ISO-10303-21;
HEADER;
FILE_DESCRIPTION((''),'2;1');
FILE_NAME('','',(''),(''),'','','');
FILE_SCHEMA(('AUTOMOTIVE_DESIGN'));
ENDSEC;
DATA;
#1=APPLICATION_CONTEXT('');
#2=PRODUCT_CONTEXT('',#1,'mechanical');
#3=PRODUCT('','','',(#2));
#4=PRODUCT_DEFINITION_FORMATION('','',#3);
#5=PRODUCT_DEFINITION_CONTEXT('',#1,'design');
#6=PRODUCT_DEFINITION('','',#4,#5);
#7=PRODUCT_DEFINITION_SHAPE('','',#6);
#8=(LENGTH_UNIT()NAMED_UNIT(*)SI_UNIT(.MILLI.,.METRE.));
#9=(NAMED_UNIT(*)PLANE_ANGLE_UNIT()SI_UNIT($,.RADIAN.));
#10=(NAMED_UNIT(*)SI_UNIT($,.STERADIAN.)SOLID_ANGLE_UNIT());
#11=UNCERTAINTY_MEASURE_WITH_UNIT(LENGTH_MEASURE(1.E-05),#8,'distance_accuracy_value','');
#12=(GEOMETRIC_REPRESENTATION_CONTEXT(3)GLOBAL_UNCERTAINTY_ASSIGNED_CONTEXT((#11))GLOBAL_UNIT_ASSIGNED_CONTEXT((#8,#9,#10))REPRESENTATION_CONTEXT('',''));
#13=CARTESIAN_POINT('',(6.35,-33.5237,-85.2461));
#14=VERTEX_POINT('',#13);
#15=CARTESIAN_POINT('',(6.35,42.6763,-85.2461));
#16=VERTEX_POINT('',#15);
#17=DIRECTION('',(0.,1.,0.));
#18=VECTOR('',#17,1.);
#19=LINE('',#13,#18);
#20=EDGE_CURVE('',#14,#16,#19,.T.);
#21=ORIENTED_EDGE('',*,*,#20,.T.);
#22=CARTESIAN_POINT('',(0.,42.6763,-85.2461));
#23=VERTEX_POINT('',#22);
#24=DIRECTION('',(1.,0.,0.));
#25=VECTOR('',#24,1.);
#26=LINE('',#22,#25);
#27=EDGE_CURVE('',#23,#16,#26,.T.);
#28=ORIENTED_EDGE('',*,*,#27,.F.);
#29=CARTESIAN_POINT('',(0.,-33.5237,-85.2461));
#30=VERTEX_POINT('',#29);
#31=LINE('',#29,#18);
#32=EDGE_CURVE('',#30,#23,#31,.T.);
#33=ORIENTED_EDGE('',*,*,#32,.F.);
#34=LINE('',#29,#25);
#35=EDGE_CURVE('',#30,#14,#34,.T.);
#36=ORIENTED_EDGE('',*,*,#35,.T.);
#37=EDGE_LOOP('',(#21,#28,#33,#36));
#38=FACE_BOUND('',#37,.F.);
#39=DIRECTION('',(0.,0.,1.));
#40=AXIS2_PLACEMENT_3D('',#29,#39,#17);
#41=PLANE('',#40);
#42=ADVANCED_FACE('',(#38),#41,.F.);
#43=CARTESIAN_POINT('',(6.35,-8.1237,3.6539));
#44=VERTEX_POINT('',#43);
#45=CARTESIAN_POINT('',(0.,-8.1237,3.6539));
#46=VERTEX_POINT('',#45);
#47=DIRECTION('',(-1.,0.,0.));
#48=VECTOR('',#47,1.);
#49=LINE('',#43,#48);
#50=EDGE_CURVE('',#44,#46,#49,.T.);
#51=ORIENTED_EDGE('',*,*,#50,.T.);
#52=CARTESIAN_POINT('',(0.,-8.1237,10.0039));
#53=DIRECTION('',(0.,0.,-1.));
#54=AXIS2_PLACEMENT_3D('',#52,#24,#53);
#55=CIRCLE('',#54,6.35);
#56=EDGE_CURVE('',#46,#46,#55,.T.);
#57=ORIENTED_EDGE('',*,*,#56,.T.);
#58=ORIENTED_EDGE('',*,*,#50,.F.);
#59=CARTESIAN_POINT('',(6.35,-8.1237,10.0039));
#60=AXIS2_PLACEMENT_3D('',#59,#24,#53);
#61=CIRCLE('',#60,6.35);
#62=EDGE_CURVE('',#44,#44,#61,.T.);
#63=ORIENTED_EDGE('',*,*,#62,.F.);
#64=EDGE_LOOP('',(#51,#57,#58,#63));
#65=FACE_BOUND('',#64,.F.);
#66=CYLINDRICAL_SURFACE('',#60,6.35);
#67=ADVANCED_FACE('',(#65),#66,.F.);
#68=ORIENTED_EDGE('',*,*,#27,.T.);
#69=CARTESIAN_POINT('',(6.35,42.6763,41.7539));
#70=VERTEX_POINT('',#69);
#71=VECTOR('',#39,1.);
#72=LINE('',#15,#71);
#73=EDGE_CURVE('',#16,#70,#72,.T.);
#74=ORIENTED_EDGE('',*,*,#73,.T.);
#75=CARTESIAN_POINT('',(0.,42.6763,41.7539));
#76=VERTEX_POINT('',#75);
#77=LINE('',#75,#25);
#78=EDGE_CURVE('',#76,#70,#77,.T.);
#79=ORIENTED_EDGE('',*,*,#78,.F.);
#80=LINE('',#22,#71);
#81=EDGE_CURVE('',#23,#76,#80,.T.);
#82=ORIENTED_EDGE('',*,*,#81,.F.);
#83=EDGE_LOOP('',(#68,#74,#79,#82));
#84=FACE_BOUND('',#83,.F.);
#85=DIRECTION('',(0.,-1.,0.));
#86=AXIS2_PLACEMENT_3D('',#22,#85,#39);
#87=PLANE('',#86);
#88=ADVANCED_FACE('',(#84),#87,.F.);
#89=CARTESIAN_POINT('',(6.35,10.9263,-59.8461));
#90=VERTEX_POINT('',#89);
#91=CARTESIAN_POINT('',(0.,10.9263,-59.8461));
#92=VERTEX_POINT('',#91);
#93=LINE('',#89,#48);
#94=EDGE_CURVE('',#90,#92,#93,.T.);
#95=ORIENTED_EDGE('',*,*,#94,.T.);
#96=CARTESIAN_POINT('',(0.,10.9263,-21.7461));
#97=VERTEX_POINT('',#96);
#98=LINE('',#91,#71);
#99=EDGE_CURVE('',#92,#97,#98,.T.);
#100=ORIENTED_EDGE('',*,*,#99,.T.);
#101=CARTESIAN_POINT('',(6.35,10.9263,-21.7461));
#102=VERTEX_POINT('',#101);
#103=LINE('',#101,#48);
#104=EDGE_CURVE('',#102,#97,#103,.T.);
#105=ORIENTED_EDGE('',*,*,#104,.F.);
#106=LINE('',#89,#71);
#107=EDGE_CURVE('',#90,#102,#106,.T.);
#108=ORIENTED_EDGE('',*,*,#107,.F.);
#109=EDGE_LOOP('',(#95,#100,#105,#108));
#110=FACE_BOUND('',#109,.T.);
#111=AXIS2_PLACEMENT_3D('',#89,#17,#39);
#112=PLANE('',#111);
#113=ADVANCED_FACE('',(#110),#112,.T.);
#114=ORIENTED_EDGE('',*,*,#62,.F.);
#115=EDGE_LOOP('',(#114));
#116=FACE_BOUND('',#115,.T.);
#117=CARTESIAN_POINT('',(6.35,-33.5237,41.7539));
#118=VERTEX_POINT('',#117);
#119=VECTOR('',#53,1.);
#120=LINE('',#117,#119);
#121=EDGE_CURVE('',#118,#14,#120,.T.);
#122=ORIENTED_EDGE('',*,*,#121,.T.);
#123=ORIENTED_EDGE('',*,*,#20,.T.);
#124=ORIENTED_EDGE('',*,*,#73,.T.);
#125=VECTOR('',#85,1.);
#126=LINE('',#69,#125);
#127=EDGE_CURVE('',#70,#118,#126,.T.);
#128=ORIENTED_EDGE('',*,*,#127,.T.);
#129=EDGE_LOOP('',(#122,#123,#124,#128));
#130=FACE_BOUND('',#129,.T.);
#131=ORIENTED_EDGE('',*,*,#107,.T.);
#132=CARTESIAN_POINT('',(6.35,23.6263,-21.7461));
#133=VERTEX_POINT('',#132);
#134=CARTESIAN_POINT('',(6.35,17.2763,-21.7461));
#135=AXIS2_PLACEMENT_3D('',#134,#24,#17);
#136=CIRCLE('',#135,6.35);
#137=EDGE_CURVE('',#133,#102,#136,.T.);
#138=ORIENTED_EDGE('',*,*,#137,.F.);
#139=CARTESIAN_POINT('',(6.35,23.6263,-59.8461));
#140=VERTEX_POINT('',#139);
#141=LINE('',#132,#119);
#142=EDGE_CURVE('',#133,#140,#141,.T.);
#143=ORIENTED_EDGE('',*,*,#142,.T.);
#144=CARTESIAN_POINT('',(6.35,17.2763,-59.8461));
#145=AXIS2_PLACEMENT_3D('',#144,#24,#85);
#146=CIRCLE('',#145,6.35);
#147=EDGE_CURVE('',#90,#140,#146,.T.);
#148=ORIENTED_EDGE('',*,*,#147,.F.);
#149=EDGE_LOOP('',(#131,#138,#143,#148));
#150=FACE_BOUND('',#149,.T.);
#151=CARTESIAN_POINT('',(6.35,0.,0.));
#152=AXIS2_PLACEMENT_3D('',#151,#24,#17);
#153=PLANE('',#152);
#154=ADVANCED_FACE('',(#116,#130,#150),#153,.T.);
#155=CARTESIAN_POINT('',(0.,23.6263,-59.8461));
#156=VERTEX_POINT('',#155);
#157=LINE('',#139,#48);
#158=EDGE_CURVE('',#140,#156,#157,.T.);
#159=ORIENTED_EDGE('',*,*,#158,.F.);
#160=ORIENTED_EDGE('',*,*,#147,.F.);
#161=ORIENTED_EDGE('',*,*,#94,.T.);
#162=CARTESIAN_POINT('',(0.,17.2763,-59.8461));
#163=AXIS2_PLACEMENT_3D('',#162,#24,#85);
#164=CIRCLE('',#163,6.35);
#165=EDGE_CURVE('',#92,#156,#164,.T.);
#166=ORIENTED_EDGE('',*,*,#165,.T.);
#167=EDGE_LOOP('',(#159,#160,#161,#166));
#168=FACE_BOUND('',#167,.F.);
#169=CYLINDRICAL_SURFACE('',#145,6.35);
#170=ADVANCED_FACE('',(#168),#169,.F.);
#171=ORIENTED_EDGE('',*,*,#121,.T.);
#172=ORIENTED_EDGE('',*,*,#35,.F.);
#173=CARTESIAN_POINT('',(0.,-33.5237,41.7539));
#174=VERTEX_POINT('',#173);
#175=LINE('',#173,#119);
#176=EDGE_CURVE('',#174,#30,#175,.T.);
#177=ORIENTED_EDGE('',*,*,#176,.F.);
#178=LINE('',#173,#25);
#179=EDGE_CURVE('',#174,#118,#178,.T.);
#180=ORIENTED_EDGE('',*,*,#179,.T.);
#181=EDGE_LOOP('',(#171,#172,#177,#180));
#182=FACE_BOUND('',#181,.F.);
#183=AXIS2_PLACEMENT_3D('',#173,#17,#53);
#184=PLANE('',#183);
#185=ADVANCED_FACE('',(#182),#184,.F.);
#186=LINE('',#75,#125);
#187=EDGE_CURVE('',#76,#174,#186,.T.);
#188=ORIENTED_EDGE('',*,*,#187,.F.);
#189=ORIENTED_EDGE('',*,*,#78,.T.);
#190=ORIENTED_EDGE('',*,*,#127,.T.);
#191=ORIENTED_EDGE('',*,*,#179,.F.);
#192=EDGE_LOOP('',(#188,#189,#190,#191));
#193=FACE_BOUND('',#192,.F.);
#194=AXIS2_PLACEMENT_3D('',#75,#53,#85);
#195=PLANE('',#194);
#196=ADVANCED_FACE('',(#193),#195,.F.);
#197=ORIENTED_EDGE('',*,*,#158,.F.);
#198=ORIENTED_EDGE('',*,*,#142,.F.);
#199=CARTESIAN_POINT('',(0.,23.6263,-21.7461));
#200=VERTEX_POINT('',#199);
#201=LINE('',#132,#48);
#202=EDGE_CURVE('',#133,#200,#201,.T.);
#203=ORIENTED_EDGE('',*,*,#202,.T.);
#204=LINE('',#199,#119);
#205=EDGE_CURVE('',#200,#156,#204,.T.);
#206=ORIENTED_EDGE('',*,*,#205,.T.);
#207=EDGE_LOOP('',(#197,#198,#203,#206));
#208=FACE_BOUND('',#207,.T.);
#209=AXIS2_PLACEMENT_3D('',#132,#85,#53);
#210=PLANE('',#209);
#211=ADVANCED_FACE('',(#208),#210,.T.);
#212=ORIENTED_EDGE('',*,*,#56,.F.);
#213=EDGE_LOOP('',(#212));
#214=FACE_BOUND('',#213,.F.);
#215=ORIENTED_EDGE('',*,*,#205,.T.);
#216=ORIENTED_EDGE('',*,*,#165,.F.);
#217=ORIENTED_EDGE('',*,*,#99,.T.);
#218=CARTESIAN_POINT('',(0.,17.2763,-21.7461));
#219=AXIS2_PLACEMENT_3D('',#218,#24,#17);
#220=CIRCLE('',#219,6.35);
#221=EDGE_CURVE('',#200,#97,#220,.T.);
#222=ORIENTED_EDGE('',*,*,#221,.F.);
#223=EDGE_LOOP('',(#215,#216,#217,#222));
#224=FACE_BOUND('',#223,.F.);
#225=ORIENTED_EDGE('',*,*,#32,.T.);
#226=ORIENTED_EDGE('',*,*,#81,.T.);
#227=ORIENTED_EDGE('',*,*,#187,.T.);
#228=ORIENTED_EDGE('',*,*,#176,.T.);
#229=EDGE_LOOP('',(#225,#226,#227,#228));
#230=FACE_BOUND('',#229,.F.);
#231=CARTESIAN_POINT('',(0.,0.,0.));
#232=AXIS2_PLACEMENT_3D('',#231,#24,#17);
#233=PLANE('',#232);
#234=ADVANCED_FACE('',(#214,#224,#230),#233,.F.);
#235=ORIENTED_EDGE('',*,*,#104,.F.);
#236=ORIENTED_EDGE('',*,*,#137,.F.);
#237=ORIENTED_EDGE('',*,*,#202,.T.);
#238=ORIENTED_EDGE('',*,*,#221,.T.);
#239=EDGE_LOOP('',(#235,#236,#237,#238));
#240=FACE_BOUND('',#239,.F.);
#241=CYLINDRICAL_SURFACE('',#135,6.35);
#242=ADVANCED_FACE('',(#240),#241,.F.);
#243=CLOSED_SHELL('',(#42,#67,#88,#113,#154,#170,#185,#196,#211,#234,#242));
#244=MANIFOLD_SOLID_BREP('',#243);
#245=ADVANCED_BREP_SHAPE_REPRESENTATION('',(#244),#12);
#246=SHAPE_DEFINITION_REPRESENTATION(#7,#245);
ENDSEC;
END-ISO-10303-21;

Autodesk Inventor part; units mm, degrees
ref_plane "YZ Plane" through (0, 0, 0) normal (1, 0, 0) x (0, 1, 0)
ref_plane "XZ Plane" through (0, 0, 0) normal (0, 1, 0) x (-1, 0, 0)
ref_plane "XY Plane" through (0, 0, 0) normal (0, 0, 1) x (1, 0, 0)
sketch "Sketch1" plane through (0, 0, 0) normal (1, 0, 0) x (0, 1, 0)
  line L0 (42.6763, 41.7539) -> (-33.5237, 41.7539)
  line L1 (-33.5237, 41.7539) -> (-33.5237, -85.2461)
  line L2 (-33.5237, -85.2461) -> (42.6763, -85.2461)
  line L3 (42.6763, -85.2461) -> (42.6763, 41.7539)
  point P0 (0, 0)
  dimension "d0" = 76.2
  dimension "d1" = 127
extrude "Extrusion1" add sketch "Sketch1" along normal blind 6.35
sketch "Sketch3" plane through (6.35, 0, 0) normal (1, 0, 0) x (0, 0, -1)
  arc A0 (59.8461, 10.9263) -> (59.8461, 23.6263) centre (59.8461, 17.2763) ccw
  arc A1 (21.7461, 23.6263) -> (21.7461, 10.9263) centre (21.7461, 17.2763) ccw
  line L0 (21.7461, 23.6263) -> (59.8461, 23.6263)
  line L1 (59.8461, 10.9263) -> (21.7461, 10.9263)
  line L2 (-41.7539, 42.6763) -> (-41.7539, -33.5237) projected
  line L3 (85.2461, 42.6763) -> (-41.7539, 42.6763) projected
  point P0 (0, 0)
  dimension "d4" = 38.1
  dimension "d5" = 101.6
  dimension "d6" = 25.4
  dimension "d7" = 25.4
  dimension "d9" = 6.35
extrude "Extrusion2" cut sketch "Sketch3" against normal blind 6.35
sketch "Sketch4" plane through (6.35, 0, 0) normal (1, 0, 0) x (0, 0, -1)
  circle A0 centre (-10.0039, -8.1237) radius 6.35
  line L0 (-41.7539, 42.6763) -> (-41.7539, -33.5237) projected
  line L1 (85.2461, 42.6763) -> (-41.7539, 42.6763) projected
  point P0 (0, 0)
  dimension "d12" = 31.75
  dimension "d13" = 50.8
  dimension "d14" = 12.7
extrude "Extrusion3" cut sketch "Sketch4" against normal blind 6.35
equation "\"d1\" = 1.66667 * d0"
equation "\"d2\" = 0.05 * d1"
equation "\"d4\" = 0.5 * d0"
equation "\"d5\" = 0.8 * d1"
equation "\"d6\" = 0.333333 * d0"
equation "\"d7\" = 0.333333 * d0"
equation "\"d9\" = d2"
equation "\"d10\" = 0.05 * d1"
equation "\"d12\" = 0.25 * d1"
equation "\"d13\" = 0.666667 * d0"
equation "\"d15\" = 0.05 * d1"
properties part number "8.2"
